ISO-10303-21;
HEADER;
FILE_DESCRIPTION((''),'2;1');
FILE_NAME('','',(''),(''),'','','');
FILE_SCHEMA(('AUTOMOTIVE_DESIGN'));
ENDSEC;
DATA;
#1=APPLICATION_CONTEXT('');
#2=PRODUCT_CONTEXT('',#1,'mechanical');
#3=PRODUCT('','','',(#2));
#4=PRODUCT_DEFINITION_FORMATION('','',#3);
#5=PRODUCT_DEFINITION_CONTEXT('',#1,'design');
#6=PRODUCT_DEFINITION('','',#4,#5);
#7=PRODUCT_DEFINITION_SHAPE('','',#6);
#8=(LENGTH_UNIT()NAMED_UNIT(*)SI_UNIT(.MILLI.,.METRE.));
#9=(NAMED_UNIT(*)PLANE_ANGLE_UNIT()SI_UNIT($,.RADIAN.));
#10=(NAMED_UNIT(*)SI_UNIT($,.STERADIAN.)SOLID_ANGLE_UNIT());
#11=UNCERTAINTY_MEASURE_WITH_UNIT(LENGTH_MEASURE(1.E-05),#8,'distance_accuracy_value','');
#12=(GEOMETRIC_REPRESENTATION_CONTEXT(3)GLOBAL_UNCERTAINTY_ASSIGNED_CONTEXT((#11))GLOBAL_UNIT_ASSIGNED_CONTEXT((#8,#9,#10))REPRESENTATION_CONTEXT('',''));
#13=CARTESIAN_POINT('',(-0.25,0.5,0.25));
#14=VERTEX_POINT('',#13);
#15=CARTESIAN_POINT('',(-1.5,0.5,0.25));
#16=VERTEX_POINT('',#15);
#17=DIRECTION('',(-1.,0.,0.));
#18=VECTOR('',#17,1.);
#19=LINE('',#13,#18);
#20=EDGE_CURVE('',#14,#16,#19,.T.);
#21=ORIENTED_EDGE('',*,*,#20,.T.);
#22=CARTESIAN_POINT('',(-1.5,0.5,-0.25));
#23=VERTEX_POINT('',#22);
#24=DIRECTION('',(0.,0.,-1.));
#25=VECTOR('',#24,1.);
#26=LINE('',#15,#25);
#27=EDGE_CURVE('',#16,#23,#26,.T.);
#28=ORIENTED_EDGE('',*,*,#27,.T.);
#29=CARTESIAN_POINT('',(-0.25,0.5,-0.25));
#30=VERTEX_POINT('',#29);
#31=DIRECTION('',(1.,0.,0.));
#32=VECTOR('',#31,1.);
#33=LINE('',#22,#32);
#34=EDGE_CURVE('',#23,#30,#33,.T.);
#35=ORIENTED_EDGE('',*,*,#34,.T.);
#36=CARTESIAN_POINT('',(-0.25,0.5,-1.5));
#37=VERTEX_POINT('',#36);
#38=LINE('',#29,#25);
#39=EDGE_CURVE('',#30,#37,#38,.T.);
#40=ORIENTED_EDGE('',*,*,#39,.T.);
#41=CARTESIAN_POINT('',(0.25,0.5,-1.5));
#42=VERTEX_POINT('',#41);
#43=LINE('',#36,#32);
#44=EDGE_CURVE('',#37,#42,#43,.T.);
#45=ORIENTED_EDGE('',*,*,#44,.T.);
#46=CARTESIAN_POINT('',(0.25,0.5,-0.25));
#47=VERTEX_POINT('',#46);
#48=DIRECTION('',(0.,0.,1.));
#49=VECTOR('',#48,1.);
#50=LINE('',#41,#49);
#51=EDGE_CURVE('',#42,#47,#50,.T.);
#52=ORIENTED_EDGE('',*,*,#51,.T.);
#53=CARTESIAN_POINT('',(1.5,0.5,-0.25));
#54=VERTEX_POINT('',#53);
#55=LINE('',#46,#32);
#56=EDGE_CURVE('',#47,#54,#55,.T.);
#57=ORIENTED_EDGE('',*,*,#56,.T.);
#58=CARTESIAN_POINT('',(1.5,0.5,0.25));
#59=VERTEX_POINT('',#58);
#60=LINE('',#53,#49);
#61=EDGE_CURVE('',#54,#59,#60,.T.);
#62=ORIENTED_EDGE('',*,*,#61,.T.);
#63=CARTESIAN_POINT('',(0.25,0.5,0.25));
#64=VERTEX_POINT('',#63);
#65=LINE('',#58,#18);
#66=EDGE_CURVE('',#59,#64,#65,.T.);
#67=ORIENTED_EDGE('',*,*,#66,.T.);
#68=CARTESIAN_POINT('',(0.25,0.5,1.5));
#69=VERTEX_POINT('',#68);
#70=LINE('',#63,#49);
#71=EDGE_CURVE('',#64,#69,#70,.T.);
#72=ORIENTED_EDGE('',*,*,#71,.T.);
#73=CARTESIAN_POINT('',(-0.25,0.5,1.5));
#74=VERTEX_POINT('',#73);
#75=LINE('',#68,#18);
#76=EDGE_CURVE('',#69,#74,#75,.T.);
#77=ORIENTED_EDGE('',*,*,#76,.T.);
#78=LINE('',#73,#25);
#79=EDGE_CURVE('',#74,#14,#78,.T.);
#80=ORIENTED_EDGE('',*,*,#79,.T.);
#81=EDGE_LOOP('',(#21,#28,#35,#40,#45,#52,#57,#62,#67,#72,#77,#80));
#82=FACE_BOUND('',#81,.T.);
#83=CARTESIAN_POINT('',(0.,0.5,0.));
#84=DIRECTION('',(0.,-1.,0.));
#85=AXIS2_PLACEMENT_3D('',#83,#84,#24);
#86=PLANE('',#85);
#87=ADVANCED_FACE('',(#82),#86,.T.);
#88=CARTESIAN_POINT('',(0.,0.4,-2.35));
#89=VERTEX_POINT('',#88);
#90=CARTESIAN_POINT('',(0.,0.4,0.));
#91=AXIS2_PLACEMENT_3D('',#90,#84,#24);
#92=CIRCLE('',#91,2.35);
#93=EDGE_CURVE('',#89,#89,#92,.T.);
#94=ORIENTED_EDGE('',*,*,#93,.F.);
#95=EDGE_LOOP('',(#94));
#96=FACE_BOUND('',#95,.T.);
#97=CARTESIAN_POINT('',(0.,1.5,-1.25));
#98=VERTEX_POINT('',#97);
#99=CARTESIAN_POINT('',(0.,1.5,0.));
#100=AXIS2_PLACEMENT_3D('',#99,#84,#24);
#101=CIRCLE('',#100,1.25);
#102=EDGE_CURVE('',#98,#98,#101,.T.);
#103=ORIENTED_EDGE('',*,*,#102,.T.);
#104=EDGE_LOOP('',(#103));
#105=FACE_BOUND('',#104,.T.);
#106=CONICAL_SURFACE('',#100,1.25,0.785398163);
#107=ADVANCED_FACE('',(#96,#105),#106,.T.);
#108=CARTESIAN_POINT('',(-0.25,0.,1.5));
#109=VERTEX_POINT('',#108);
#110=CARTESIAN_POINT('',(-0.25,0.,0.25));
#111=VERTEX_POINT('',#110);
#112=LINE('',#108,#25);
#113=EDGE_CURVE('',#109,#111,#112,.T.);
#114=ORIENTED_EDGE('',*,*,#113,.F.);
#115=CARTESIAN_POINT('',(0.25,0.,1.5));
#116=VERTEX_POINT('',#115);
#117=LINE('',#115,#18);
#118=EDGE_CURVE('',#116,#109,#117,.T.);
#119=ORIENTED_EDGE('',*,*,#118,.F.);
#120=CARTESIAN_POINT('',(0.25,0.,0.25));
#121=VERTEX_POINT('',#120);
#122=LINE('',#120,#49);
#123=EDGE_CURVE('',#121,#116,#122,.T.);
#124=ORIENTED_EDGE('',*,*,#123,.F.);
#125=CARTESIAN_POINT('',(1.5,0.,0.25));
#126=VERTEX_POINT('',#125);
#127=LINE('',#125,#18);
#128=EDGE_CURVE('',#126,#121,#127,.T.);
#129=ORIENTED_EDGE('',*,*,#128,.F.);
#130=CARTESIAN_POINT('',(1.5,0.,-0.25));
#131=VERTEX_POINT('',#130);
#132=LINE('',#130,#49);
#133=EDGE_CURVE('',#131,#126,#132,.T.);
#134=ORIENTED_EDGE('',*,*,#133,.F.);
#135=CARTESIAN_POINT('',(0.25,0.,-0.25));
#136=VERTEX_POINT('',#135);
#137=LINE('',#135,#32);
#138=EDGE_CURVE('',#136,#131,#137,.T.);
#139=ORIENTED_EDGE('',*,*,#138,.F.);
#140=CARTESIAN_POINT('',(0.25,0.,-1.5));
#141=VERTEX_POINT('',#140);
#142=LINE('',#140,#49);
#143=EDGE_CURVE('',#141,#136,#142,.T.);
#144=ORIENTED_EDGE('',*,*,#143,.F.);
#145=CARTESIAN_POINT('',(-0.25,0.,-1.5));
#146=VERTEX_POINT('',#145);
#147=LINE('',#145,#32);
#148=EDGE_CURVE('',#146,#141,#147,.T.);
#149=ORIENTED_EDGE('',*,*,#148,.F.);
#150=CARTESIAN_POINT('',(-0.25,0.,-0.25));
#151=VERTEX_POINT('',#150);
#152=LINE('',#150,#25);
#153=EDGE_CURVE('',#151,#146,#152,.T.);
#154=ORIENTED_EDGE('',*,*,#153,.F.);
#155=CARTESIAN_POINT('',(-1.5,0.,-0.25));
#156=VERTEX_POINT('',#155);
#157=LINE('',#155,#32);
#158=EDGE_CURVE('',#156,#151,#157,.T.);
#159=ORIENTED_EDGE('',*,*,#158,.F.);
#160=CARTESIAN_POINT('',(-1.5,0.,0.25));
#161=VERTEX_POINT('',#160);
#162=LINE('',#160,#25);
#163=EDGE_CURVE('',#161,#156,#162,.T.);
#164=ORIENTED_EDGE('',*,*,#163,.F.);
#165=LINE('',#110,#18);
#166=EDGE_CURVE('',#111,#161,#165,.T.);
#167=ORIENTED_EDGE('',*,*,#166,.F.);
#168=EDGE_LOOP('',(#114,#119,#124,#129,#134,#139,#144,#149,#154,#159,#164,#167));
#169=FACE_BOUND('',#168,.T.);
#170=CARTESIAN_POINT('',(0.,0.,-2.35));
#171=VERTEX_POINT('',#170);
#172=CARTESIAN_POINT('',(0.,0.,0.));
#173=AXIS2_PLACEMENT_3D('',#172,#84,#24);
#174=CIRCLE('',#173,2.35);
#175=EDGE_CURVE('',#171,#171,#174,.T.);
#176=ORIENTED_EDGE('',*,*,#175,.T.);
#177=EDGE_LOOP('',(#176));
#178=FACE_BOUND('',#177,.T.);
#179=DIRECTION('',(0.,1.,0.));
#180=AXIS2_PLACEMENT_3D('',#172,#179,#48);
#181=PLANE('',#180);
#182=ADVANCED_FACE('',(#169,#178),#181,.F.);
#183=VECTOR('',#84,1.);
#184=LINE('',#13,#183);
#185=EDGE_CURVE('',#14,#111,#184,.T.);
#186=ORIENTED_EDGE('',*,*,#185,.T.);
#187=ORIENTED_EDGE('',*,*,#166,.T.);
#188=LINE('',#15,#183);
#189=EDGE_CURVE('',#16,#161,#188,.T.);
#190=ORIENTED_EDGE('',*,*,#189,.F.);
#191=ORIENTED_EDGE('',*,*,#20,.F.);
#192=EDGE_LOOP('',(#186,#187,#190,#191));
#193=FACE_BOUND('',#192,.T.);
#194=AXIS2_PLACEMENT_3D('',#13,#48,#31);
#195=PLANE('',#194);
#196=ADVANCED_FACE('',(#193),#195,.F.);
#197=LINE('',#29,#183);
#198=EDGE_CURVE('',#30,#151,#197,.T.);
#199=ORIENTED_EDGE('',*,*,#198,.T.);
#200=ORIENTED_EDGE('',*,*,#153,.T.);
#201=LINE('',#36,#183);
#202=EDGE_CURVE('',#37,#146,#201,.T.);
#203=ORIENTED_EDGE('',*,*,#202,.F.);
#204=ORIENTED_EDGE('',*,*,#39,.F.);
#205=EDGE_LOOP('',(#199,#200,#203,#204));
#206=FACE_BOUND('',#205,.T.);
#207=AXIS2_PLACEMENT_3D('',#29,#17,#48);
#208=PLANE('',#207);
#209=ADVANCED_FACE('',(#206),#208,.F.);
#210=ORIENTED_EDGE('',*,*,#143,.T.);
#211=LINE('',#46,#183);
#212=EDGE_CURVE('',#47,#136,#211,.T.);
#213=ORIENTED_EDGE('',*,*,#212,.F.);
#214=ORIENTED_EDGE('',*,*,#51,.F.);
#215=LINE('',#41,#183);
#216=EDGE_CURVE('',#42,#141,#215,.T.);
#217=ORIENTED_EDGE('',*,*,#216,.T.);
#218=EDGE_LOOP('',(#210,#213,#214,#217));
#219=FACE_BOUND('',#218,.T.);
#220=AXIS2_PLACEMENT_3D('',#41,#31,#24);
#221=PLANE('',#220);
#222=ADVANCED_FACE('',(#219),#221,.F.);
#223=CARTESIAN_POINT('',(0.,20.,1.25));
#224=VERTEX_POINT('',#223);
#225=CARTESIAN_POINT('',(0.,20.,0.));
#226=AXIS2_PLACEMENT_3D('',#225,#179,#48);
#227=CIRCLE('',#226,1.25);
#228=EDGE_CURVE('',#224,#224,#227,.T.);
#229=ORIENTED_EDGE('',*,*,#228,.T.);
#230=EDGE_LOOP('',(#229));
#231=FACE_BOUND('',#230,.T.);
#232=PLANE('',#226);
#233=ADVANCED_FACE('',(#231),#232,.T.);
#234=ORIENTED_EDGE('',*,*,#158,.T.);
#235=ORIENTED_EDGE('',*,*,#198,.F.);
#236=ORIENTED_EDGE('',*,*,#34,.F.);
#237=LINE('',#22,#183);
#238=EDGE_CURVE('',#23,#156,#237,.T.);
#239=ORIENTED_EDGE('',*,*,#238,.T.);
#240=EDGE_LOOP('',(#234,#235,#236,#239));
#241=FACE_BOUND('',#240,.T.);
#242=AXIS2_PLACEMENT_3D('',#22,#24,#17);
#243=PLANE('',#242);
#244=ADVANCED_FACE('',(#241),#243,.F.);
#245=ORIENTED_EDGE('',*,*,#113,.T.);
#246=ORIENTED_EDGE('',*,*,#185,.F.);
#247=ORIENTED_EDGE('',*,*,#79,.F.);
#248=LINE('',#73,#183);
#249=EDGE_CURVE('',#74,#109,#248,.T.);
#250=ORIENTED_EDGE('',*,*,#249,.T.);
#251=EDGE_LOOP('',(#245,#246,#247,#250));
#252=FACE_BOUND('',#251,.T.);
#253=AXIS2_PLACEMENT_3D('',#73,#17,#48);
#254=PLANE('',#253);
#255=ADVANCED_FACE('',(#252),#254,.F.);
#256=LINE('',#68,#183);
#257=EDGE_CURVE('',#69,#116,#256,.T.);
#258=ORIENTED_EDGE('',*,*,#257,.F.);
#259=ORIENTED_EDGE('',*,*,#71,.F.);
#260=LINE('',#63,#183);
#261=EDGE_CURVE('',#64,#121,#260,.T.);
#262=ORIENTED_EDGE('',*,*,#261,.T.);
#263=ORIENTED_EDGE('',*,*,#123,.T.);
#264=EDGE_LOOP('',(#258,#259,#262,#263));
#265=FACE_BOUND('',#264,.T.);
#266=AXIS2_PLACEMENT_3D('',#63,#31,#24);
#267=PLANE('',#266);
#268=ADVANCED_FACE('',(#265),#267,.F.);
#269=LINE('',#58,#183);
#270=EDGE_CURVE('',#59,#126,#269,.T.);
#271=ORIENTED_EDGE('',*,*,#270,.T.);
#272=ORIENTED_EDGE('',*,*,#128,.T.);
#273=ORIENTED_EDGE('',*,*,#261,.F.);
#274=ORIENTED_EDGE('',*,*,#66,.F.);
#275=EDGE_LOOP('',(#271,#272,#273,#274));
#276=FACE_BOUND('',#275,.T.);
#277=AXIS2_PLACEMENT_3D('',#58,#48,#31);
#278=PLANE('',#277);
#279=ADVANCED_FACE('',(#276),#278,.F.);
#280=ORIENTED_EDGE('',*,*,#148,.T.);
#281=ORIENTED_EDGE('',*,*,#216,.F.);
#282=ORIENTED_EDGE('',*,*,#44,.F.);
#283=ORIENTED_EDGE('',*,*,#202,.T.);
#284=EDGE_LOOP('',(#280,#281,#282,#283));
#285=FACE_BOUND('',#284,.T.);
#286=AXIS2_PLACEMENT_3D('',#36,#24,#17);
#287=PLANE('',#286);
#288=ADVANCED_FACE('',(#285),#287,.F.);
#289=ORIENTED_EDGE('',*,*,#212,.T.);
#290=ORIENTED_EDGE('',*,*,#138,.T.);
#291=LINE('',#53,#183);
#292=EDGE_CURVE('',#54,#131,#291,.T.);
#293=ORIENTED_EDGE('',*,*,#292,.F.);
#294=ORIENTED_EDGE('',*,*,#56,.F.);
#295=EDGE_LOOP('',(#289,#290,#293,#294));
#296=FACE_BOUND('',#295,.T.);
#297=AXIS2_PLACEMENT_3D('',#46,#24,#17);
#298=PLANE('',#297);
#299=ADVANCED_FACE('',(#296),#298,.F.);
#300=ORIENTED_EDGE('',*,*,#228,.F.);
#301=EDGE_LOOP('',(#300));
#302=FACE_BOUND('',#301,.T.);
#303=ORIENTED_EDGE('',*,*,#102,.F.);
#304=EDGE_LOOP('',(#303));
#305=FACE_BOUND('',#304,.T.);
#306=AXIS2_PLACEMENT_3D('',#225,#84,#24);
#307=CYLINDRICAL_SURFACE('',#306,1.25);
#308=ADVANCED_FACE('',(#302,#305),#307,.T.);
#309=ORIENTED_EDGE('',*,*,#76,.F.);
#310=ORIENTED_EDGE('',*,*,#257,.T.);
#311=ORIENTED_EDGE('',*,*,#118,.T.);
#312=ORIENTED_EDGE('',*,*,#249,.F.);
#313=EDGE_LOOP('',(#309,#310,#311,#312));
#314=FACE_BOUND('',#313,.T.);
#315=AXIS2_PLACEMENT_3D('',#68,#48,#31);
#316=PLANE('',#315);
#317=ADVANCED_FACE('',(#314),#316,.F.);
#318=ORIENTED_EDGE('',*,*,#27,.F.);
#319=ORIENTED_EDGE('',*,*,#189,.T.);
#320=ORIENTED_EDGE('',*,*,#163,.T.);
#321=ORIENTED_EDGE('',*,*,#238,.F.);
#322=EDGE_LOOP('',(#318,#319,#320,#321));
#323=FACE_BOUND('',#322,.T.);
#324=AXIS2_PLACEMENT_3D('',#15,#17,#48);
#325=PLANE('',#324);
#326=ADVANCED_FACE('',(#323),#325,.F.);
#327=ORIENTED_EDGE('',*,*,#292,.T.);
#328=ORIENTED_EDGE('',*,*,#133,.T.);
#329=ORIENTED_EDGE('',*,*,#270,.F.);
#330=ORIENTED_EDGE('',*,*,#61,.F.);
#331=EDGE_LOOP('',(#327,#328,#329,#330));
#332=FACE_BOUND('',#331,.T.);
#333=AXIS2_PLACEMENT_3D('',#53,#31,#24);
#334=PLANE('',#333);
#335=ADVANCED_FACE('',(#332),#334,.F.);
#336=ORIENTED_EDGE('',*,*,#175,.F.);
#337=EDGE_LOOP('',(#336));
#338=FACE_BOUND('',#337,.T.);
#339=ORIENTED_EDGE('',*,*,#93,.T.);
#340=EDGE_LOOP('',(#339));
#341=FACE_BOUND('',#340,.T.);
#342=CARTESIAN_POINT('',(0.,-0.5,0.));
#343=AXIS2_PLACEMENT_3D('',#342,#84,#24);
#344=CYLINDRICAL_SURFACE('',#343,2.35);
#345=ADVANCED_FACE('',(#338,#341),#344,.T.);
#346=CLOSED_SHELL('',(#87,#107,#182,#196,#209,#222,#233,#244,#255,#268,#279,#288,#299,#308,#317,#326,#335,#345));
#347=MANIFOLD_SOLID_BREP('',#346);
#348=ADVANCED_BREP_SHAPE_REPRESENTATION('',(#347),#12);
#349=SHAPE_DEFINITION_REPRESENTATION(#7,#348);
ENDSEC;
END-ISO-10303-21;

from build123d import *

# Parameters (mm, degrees)
SKETCH1_R           = 1.25
BOSS_EXTRUDE1_DEPTH = 20
CUT_EXTRUDE1_DEPTH  = 0.5


with BuildPart() as part:
    # Sketch1 → Boss-Extrude1 (new body)
    with BuildSketch(Plane(origin=(0, 0, 0), x_dir=(1, 0, 0), z_dir=(0, 1, 0))):
        with Locations(Location((0, 0, 0), (0, 0, 270))):
            Circle(SKETCH1_R)
    extrude(amount=BOSS_EXTRUDE1_DEPTH)

    # Sketch2 → Revolve1 (revolve)
    with BuildSketch(Plane(origin=(0, 0, 0), x_dir=(0, 0, -1), z_dir=(1, 0, 0)), mode=Mode.PRIVATE) as revolve1_sk:
        Polygon((0, 0), (0, 1.5), (-1.25, 1.5), (-2.35, 0.4), (-2.35, 0), align=None)
    revolve(revolve1_sk.sketch.rotate(Axis((0, -0.5, 0), (0, 1, 0)), 180), axis=Axis((0, -0.5, 0), (0, 1, 0)))

    # Sketch3 → Cut-Extrude1 (cut)
    with BuildSketch(Plane.XZ):
        Polygon((-1.5, -0.25), (-0.25, -0.25), (-0.25, -1.5), (0.25, -1.5), (0.25, -0.25), (1.5, -0.25), (1.5, 0.25), (0.25, 0.25), (0.25, 1.5), (-0.25, 1.5), (-0.25, 0.25), (-1.5, 0.25), align=None)
    extrude(amount=-CUT_EXTRUDE1_DEPTH, mode=Mode.SUBTRACT)


solid = part.part
